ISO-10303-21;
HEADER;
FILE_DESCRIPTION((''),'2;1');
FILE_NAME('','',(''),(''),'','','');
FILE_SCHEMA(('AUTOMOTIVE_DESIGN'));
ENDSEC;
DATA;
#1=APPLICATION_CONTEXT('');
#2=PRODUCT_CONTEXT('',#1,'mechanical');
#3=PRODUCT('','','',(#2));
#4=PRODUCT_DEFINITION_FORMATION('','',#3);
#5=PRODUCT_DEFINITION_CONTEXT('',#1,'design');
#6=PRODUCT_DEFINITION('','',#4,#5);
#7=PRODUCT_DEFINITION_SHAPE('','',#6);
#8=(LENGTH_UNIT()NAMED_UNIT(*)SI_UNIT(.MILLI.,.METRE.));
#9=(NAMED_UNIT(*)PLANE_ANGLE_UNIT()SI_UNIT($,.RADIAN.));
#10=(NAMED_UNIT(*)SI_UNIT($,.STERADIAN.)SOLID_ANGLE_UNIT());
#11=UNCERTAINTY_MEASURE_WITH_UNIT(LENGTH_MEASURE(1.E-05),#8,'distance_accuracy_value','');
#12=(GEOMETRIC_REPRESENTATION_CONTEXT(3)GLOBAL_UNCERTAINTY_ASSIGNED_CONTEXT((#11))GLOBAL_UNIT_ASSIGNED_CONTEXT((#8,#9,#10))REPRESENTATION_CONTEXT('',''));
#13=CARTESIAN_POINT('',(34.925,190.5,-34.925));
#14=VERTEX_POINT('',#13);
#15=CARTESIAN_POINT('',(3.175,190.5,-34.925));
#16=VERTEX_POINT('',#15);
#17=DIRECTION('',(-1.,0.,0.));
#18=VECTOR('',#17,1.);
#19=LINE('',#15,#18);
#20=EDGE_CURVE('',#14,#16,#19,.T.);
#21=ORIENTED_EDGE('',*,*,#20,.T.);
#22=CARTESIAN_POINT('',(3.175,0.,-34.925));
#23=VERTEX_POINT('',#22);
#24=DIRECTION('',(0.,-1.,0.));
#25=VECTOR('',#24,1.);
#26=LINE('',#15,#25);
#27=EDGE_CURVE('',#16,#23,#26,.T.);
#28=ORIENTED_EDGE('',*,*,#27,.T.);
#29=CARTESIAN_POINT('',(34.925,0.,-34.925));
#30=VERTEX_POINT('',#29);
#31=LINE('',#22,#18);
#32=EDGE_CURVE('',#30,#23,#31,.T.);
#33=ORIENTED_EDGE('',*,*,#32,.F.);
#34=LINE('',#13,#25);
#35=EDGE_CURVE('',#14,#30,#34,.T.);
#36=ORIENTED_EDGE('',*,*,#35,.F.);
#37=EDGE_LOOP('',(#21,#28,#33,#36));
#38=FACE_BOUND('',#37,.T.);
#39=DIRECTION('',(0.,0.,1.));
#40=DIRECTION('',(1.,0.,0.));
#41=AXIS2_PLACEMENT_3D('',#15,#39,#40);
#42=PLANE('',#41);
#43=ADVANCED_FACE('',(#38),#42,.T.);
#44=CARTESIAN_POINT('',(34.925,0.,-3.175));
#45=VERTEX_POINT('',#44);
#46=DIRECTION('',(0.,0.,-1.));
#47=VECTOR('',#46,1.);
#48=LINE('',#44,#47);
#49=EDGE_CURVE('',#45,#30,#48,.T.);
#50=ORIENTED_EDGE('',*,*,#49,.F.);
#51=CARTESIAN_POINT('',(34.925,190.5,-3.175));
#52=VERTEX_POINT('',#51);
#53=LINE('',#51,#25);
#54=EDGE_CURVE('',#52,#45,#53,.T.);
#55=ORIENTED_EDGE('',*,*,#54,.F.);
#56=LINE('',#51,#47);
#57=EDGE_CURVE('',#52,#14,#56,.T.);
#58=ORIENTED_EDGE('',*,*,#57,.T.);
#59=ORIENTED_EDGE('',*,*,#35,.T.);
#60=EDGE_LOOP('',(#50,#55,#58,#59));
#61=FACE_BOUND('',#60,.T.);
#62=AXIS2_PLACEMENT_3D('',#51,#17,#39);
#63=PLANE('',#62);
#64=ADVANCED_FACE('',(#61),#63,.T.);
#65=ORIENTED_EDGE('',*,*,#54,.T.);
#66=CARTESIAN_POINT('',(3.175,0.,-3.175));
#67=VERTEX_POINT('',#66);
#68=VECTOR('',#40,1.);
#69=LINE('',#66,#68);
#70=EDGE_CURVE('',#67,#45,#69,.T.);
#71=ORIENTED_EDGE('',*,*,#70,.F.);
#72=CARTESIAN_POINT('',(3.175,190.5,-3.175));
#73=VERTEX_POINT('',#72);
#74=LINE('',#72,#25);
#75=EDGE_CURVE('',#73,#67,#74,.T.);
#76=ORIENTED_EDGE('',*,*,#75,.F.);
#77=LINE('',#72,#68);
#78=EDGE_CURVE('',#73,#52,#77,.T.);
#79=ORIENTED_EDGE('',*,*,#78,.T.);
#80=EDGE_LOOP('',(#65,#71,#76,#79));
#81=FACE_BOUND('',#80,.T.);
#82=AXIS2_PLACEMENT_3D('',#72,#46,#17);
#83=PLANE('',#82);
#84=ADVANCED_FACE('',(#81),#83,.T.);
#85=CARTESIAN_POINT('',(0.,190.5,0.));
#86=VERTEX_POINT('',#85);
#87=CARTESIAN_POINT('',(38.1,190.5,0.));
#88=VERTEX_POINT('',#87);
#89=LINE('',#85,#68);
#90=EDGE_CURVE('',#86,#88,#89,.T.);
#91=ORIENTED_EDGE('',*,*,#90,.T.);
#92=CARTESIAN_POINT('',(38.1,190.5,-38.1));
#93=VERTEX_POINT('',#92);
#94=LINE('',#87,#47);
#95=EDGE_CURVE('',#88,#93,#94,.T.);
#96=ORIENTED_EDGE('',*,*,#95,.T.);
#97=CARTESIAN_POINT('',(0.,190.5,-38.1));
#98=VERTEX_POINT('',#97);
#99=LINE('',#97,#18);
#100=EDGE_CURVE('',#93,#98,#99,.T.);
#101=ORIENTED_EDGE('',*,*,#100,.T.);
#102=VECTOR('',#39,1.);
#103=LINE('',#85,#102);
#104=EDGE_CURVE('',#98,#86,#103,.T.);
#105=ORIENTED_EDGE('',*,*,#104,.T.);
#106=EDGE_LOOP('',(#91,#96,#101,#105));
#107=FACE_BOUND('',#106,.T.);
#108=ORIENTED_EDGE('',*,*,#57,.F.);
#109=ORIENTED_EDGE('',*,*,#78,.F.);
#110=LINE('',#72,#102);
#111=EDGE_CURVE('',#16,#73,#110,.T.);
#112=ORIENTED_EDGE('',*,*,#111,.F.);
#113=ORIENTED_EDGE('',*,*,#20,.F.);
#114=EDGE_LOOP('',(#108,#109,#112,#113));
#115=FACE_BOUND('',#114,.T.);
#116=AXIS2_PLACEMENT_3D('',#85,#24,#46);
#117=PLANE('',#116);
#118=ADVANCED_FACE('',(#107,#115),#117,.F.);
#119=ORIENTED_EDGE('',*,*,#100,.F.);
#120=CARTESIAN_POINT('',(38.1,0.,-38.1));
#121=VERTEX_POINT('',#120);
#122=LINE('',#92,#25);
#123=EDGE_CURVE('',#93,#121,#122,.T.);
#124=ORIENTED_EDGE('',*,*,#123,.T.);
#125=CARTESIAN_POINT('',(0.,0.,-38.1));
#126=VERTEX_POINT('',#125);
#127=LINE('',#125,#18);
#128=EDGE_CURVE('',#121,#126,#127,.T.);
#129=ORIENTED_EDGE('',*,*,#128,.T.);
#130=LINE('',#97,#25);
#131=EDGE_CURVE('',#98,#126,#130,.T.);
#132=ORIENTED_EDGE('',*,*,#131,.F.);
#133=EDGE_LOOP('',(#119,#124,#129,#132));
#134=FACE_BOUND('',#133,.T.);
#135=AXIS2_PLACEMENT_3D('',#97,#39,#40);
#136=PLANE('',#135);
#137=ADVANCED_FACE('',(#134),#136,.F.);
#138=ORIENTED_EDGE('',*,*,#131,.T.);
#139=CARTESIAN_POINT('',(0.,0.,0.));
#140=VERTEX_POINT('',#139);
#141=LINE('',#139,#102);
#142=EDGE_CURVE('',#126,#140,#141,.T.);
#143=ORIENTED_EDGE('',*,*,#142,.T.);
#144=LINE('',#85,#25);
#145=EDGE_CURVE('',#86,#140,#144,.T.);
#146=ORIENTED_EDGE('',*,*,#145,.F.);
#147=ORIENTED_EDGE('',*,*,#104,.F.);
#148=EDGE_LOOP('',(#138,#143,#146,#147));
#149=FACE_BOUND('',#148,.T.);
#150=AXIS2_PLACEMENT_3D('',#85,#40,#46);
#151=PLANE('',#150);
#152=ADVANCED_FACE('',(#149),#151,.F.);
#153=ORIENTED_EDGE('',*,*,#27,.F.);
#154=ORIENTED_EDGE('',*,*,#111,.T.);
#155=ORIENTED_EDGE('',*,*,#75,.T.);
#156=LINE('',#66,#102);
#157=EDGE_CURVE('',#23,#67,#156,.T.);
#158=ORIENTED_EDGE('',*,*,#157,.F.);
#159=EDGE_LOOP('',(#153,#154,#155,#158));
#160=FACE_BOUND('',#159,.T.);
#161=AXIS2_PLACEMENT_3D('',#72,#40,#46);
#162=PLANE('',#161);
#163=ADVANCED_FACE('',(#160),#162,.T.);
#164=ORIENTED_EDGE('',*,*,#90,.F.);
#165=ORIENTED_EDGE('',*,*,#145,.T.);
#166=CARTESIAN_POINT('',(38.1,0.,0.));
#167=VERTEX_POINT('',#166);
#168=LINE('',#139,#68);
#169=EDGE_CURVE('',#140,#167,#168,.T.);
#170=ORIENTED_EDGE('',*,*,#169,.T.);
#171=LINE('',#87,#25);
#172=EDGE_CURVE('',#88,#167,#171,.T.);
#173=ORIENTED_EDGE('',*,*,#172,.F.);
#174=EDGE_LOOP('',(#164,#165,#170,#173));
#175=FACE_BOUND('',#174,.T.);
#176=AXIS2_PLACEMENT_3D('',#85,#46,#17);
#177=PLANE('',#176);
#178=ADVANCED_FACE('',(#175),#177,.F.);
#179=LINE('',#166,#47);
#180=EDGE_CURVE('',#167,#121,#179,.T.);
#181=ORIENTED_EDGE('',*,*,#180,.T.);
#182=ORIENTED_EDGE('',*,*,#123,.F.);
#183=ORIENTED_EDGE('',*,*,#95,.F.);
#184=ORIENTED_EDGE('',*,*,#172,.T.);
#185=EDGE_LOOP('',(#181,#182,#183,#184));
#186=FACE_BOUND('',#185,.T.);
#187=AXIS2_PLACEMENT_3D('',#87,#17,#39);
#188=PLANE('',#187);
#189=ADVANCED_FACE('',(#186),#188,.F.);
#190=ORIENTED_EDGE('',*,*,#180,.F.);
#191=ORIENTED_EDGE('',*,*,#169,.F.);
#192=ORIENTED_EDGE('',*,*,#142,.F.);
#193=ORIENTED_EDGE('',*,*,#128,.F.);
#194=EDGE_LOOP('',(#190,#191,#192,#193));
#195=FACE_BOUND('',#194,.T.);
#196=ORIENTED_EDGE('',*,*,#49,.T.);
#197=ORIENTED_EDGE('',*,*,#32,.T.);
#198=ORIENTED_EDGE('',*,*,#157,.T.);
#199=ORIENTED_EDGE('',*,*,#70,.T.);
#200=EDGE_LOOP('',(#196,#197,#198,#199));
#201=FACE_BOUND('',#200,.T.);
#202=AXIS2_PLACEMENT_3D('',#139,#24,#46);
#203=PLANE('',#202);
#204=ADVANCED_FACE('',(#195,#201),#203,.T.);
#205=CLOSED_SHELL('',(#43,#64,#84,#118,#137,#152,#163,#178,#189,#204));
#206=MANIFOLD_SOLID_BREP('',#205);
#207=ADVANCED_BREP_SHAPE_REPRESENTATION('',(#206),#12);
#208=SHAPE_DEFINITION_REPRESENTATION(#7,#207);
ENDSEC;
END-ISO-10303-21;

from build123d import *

# Parameters (mm, degrees)
SKETCH1_W           = 38.1
SKETCH1_H           = 38.1
SKETCH1_W_2         = 31.75
SKETCH1_H_2         = 31.75
BOSS_EXTRUDE1_DEPTH = 190.5


with BuildPart() as part:
    # Sketch1 → Boss-Extrude1 (new body)
    with BuildSketch(Plane(origin=(0, 0, 0), x_dir=(1, 0, 0), z_dir=(0, 1, 0))):
        with Locations((19.05, 19.05)):
            Rectangle(SKETCH1_W, SKETCH1_H)
        with Locations((19.05, 19.05)):
            Rectangle(SKETCH1_W_2, SKETCH1_H_2, mode=Mode.SUBTRACT)
    extrude(amount=BOSS_EXTRUDE1_DEPTH)


solid = part.part
